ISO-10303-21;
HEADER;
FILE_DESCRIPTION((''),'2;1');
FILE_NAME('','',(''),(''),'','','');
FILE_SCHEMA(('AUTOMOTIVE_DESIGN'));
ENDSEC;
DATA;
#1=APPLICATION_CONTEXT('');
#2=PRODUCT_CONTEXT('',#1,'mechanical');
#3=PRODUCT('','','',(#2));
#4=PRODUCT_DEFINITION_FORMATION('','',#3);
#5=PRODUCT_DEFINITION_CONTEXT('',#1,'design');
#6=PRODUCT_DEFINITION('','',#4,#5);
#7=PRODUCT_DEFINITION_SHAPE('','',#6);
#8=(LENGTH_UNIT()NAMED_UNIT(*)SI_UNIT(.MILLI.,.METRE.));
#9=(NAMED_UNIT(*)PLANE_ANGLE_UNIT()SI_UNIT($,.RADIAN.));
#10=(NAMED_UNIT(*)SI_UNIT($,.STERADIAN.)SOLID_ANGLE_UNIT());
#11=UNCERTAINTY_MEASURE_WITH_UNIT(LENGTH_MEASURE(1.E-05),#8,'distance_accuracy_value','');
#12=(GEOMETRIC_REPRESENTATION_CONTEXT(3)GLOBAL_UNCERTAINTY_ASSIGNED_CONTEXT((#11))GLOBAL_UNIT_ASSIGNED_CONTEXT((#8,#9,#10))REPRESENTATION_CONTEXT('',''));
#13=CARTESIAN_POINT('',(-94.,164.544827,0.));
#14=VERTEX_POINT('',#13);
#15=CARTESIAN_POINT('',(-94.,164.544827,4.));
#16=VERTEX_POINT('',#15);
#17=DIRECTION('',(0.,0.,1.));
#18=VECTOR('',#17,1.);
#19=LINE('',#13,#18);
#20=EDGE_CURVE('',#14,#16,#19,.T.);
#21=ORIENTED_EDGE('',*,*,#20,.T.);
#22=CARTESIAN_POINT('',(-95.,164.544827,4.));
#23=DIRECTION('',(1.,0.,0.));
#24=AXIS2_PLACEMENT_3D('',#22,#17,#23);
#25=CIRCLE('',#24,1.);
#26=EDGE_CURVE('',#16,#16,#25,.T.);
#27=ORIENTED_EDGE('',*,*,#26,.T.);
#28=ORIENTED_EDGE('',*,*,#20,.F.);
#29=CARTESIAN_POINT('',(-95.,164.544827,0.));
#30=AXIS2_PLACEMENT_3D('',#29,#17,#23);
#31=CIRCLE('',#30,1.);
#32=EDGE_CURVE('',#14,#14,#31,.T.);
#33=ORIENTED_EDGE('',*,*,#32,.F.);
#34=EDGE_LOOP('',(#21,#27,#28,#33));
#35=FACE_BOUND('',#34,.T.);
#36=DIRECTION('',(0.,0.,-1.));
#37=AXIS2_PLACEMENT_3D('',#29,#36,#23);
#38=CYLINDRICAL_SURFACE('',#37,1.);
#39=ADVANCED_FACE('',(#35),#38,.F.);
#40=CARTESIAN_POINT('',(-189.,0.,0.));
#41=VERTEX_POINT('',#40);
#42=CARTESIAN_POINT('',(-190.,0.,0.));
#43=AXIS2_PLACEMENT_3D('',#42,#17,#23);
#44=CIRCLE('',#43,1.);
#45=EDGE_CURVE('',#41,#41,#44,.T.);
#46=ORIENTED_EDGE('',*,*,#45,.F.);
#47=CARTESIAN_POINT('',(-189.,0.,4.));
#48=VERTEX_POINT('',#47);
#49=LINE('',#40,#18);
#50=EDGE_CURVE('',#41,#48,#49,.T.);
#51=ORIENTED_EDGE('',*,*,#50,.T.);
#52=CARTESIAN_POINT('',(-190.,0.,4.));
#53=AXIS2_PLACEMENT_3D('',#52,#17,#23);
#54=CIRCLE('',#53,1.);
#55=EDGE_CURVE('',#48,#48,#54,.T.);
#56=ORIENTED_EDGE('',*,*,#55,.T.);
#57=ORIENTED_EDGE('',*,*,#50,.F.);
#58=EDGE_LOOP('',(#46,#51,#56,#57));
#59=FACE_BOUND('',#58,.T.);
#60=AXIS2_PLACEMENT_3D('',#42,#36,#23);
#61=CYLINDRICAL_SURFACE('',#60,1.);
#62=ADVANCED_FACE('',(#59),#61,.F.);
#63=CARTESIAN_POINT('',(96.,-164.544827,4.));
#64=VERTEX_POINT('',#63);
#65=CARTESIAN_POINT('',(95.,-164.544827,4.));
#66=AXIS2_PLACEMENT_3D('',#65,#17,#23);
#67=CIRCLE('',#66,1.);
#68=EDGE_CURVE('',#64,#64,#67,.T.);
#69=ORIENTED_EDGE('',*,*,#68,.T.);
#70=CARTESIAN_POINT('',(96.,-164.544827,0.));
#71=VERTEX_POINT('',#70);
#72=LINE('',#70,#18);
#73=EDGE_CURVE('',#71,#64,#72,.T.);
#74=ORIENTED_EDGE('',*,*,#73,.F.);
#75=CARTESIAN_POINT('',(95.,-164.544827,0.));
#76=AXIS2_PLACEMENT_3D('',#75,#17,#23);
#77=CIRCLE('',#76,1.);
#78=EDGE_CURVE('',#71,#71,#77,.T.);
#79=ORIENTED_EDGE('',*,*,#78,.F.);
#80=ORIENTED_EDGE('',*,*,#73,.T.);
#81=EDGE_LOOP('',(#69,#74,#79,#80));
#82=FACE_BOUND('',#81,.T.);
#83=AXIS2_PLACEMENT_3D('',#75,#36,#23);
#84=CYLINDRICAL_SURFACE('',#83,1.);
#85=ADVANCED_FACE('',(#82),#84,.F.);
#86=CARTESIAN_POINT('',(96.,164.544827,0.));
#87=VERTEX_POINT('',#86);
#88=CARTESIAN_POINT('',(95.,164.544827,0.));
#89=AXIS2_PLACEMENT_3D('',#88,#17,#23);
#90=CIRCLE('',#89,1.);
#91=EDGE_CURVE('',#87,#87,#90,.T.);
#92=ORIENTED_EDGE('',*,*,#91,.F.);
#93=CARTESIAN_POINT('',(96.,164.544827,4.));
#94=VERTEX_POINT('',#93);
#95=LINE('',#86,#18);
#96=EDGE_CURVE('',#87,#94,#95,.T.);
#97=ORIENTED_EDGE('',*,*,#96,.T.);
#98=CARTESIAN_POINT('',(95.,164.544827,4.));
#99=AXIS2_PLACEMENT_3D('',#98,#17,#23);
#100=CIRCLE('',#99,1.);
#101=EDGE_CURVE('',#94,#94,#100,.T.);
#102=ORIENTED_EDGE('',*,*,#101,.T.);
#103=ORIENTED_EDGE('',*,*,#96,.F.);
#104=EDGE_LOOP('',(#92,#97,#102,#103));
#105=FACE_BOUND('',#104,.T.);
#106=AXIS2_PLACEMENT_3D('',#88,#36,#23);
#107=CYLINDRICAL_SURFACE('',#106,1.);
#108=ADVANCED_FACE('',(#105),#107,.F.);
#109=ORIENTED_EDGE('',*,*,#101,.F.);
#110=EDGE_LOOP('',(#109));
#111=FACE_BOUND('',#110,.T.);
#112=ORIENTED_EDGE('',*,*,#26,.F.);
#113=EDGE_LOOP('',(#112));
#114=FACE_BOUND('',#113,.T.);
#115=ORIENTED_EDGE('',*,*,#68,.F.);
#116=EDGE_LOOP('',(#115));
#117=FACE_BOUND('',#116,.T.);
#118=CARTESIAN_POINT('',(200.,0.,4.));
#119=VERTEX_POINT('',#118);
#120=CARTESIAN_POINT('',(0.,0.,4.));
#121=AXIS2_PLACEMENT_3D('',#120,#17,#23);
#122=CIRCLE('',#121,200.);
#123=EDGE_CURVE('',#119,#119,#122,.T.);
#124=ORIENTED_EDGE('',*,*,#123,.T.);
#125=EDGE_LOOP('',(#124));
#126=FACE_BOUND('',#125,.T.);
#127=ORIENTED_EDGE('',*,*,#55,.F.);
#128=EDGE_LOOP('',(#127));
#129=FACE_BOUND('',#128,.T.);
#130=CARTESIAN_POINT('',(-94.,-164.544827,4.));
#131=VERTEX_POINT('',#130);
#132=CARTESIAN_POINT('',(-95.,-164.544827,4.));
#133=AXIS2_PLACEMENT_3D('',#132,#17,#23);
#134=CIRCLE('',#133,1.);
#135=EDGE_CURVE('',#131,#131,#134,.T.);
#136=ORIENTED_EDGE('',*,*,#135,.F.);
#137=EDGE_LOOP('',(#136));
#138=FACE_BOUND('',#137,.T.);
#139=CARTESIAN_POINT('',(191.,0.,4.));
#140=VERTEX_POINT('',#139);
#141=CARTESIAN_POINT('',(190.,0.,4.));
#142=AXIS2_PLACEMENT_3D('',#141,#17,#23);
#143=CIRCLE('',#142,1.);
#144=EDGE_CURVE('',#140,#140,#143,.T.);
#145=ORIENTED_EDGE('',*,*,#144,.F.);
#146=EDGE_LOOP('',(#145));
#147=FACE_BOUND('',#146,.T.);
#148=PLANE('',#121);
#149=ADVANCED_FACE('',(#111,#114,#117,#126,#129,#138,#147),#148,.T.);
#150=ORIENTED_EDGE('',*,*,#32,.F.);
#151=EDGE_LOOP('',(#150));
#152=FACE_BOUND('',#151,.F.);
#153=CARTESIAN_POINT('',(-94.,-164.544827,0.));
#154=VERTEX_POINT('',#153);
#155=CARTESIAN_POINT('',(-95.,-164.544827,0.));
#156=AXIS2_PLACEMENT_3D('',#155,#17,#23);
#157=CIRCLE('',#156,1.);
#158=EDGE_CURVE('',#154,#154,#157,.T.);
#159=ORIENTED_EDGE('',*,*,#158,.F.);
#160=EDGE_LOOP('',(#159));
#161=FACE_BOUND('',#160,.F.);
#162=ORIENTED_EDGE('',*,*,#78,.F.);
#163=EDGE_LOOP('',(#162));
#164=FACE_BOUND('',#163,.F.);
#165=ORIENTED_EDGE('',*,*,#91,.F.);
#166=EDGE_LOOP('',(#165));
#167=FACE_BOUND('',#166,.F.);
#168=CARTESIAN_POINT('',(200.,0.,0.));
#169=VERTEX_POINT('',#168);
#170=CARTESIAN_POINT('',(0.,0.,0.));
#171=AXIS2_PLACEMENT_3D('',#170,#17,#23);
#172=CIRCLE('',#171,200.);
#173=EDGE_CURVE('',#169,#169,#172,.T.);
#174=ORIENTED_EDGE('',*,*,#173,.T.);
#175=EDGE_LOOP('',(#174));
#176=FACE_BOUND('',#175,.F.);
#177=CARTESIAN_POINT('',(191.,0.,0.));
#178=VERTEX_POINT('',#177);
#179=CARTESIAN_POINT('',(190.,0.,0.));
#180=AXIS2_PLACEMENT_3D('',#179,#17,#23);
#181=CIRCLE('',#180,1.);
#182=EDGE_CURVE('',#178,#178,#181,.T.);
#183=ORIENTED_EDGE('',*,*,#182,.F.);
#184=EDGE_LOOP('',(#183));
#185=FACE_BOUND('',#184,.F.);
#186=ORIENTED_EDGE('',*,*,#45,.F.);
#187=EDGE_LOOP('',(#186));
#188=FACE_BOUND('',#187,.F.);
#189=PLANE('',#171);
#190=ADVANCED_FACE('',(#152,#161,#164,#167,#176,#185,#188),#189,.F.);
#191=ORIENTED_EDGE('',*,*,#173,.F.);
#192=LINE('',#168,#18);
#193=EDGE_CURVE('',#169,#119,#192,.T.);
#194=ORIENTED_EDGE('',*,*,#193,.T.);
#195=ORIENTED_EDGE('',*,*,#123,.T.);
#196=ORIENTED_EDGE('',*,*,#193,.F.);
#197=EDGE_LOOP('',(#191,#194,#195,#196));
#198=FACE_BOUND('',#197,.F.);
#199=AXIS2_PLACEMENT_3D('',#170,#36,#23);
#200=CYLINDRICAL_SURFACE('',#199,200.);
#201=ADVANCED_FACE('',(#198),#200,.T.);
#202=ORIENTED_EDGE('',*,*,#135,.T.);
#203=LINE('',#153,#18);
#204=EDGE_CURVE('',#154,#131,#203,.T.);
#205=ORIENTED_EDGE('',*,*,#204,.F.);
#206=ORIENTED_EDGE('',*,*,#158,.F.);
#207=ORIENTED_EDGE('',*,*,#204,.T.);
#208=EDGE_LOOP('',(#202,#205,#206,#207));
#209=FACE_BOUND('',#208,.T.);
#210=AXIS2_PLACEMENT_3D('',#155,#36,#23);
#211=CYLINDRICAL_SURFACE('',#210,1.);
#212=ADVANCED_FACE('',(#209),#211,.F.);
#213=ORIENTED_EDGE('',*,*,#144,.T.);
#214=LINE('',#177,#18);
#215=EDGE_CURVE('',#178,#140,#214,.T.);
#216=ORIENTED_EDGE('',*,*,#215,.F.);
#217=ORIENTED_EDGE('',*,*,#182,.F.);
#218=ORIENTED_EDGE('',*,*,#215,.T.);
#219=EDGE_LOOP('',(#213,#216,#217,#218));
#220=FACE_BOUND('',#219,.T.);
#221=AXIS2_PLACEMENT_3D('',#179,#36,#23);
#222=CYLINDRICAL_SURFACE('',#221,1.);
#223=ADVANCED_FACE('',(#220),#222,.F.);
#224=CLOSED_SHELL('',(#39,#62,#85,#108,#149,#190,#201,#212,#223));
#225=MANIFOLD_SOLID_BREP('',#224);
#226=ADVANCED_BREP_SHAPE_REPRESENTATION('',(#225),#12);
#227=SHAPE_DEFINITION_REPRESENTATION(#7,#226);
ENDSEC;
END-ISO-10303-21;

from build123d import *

# Parameters (mm, degrees)
F0_R     = 200
F0_R_2   = 1
F1_DEPTH = 4


with BuildPart() as f1:
    # F0 (on Top) → F1 (new body)
    with BuildSketch(Plane.XY):
        Circle(F0_R)
        with Locations((-95, -164.544827)):
            Circle(F0_R_2, mode=Mode.SUBTRACT)
        with Locations((95, -164.544827)):
            Circle(F0_R_2, mode=Mode.SUBTRACT)
        with Locations((-190, 0)):
            Circle(F0_R_2, mode=Mode.SUBTRACT)
        with Locations((-95, 164.544827)):
            Circle(F0_R_2, mode=Mode.SUBTRACT)
        with Locations((190, 0)):
            Circle(F0_R_2, mode=Mode.SUBTRACT)
        with Locations((95, 164.544827)):
            Circle(F0_R_2, mode=Mode.SUBTRACT)
    extrude(amount=F1_DEPTH)


solid = f1.part
